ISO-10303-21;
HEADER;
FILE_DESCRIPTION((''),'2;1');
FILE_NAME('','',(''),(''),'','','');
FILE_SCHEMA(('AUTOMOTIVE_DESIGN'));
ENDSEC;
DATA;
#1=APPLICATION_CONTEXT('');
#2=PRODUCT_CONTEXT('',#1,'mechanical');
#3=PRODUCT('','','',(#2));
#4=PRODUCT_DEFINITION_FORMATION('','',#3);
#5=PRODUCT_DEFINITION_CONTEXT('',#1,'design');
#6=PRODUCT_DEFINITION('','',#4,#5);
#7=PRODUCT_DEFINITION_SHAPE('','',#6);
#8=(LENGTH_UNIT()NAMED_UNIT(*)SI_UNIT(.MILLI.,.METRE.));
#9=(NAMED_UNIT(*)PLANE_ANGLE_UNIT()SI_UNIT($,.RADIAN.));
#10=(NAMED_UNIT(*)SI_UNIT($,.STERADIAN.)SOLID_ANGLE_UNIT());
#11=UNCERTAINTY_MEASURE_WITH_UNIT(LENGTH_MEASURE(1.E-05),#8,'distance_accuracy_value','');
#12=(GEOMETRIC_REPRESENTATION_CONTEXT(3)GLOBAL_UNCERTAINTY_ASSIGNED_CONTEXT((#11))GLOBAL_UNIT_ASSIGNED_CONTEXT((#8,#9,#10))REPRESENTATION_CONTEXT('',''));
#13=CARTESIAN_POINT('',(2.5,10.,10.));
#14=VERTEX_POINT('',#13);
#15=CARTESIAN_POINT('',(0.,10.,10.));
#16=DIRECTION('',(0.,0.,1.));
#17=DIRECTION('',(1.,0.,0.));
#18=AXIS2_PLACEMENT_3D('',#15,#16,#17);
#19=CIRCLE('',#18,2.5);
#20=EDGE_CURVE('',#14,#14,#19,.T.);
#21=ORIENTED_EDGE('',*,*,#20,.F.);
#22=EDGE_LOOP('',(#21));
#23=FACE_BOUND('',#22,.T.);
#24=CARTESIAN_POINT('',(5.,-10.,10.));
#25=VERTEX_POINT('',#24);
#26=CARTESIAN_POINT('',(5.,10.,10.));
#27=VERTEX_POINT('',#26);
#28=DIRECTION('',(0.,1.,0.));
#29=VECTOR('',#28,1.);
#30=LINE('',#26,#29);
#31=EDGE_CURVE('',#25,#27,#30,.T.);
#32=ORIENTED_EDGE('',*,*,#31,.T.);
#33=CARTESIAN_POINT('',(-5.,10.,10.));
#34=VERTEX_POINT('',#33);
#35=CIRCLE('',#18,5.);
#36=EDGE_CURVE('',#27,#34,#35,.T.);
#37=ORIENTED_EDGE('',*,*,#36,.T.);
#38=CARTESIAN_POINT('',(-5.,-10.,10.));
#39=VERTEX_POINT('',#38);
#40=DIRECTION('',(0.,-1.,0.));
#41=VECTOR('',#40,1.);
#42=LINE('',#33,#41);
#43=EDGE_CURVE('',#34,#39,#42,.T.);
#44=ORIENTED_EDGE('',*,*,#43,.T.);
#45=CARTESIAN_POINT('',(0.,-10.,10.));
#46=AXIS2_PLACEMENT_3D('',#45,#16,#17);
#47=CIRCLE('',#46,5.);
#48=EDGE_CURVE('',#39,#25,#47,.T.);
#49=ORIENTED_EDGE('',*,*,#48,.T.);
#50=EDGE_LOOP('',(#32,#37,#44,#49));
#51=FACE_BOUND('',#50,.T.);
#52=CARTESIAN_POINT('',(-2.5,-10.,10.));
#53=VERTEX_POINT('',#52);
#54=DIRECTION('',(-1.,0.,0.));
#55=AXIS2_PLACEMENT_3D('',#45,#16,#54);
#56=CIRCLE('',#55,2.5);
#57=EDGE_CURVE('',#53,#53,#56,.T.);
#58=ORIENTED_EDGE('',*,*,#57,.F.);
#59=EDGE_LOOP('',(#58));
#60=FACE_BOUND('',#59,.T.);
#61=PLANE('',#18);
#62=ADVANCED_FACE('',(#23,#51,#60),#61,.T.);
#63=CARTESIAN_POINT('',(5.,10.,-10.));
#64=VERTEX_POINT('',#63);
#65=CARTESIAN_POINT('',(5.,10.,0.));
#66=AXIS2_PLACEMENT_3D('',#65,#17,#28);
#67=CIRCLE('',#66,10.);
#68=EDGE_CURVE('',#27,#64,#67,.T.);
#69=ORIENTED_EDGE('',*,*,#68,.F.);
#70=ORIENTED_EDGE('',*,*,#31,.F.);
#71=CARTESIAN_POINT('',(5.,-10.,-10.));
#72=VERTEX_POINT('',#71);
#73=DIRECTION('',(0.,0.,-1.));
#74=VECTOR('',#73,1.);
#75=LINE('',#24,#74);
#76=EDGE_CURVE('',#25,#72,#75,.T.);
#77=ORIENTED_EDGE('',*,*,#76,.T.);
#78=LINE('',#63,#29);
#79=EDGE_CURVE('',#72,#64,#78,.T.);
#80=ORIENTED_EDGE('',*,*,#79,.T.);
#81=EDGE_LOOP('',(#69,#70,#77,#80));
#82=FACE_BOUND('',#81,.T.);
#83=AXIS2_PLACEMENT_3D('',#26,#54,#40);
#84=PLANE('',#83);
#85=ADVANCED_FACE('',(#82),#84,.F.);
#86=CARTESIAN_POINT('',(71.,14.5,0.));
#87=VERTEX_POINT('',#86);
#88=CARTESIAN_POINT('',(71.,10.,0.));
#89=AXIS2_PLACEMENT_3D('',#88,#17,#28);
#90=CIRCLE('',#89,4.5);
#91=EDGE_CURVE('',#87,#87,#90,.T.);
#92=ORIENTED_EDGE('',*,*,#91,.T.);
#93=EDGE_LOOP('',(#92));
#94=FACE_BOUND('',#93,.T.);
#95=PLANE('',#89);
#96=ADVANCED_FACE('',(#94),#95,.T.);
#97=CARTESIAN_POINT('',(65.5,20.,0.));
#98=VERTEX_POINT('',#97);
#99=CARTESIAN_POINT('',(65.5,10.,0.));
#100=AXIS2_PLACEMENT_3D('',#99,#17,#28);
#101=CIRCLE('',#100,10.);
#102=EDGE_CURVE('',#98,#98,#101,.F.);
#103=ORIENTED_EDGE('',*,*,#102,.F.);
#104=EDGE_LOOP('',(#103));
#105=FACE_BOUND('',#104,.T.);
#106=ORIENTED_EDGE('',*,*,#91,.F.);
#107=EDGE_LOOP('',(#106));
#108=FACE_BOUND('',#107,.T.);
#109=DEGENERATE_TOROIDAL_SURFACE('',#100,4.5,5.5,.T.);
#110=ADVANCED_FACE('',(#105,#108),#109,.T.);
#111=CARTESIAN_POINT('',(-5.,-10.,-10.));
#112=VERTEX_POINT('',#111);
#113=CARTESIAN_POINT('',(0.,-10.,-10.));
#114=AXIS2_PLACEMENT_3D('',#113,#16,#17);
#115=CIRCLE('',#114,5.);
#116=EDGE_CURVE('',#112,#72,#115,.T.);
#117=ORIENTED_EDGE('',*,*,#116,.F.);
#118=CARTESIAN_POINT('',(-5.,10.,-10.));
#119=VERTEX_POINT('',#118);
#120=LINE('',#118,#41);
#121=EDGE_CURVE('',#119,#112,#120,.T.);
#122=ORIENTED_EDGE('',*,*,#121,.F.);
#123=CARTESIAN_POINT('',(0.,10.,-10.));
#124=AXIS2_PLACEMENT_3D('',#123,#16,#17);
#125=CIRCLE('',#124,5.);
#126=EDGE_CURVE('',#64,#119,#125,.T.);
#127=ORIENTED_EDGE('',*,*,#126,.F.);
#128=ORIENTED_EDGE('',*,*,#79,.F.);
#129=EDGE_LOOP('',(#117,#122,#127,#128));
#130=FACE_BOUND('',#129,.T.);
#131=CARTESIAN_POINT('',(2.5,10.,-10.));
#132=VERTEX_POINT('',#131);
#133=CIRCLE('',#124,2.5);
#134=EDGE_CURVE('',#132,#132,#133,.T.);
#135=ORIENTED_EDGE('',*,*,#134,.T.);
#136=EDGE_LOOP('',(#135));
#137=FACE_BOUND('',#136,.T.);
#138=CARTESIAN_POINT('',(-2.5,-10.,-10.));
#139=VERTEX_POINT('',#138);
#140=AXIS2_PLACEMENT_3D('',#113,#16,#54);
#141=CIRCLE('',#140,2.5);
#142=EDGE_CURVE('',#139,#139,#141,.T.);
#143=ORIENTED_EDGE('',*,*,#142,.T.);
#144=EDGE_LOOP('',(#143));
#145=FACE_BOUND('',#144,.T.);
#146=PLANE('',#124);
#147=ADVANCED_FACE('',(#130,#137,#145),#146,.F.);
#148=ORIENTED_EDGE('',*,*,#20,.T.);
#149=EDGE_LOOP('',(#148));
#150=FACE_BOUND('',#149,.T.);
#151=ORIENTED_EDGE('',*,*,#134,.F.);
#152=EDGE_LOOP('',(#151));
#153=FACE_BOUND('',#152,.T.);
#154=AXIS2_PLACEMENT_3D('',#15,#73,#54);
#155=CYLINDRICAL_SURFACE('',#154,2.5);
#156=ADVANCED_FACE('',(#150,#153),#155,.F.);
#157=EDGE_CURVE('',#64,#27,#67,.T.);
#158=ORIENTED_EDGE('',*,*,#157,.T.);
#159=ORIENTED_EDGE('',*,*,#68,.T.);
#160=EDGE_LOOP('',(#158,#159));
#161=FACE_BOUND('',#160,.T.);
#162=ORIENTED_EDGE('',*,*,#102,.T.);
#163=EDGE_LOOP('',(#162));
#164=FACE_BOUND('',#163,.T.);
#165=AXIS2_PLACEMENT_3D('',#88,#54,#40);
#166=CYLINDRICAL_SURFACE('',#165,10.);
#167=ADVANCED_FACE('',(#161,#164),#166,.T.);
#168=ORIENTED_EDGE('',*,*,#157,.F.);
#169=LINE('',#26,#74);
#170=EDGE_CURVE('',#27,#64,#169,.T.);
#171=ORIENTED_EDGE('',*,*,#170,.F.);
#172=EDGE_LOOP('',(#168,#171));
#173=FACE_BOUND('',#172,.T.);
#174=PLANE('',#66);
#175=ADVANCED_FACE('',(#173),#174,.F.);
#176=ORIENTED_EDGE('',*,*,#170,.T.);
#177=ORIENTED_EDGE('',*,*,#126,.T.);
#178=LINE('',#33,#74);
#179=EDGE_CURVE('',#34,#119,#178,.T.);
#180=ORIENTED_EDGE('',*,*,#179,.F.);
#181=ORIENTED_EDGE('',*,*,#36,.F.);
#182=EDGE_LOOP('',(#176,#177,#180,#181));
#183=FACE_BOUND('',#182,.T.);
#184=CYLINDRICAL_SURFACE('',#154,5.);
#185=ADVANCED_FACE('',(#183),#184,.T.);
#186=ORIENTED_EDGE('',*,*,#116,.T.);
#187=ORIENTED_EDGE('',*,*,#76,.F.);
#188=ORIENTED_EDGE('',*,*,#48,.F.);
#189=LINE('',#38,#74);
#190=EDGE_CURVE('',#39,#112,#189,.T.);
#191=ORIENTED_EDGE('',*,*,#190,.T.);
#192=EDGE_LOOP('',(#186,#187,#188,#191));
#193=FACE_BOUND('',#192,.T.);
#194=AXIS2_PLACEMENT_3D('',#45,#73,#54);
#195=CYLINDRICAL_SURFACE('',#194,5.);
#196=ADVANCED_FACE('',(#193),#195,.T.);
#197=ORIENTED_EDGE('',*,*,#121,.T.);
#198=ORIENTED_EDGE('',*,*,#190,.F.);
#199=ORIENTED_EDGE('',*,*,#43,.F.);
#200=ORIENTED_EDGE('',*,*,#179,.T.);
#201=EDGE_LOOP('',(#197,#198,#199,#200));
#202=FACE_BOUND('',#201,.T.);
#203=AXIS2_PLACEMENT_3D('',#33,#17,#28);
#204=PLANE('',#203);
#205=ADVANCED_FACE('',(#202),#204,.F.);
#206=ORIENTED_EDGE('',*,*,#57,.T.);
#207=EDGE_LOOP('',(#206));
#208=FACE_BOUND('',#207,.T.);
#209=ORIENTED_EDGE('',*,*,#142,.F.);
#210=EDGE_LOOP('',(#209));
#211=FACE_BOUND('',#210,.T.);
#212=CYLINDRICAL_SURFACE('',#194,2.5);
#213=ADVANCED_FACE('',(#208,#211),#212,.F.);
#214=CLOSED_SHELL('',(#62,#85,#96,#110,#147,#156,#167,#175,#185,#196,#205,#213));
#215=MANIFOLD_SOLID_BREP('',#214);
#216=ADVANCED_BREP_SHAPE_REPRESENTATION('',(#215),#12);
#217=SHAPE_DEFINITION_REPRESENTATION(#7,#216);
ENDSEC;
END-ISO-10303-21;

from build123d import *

# Parameters (mm, degrees)
ESQUISSE1_R        = 2.5
BOSS_EXTRU_1_DEPTH = 10
ESQUISSE2_R        = 10
BOSS_EXTRU_2_DEPTH = 66
CONG_1_R           = 5.5


with BuildPart() as part:
    # Esquisse1 → Boss.-Extru.1 (new, symmetric)
    with BuildSketch(Plane.XY):
        with BuildLine():
            Line((5, 10), (5, -10))
            ThreePointArc((5, -10), (0, -15), (-5, -10))
            Line((-5, -10), (-5, 10))
            ThreePointArc((-5, 10), (0, 15), (5, 10))
        make_face()
        with Locations((0, 10)):
            Circle(ESQUISSE1_R, mode=Mode.SUBTRACT)
        with Locations((0, -10)):
            Circle(ESQUISSE1_R, mode=Mode.SUBTRACT)
    extrude(amount=BOSS_EXTRU_1_DEPTH, both=True)

    # Esquisse2 → Boss.-Extru.2 (add)
    with BuildSketch(Plane(origin=(5, 0, 0), x_dir=(0, 0, -1), z_dir=(1, 0, 0))):
        with Locations((0, 10)):
            Circle(ESQUISSE2_R)
    extrude(amount=BOSS_EXTRU_2_DEPTH)

    # Congé1
    cong_1_edges = [part.edges().sort_by_distance(p)[0] for p in [
        (71, 10, 10),
    ]]
    fillet(cong_1_edges, radius=CONG_1_R)


solid = part.part
